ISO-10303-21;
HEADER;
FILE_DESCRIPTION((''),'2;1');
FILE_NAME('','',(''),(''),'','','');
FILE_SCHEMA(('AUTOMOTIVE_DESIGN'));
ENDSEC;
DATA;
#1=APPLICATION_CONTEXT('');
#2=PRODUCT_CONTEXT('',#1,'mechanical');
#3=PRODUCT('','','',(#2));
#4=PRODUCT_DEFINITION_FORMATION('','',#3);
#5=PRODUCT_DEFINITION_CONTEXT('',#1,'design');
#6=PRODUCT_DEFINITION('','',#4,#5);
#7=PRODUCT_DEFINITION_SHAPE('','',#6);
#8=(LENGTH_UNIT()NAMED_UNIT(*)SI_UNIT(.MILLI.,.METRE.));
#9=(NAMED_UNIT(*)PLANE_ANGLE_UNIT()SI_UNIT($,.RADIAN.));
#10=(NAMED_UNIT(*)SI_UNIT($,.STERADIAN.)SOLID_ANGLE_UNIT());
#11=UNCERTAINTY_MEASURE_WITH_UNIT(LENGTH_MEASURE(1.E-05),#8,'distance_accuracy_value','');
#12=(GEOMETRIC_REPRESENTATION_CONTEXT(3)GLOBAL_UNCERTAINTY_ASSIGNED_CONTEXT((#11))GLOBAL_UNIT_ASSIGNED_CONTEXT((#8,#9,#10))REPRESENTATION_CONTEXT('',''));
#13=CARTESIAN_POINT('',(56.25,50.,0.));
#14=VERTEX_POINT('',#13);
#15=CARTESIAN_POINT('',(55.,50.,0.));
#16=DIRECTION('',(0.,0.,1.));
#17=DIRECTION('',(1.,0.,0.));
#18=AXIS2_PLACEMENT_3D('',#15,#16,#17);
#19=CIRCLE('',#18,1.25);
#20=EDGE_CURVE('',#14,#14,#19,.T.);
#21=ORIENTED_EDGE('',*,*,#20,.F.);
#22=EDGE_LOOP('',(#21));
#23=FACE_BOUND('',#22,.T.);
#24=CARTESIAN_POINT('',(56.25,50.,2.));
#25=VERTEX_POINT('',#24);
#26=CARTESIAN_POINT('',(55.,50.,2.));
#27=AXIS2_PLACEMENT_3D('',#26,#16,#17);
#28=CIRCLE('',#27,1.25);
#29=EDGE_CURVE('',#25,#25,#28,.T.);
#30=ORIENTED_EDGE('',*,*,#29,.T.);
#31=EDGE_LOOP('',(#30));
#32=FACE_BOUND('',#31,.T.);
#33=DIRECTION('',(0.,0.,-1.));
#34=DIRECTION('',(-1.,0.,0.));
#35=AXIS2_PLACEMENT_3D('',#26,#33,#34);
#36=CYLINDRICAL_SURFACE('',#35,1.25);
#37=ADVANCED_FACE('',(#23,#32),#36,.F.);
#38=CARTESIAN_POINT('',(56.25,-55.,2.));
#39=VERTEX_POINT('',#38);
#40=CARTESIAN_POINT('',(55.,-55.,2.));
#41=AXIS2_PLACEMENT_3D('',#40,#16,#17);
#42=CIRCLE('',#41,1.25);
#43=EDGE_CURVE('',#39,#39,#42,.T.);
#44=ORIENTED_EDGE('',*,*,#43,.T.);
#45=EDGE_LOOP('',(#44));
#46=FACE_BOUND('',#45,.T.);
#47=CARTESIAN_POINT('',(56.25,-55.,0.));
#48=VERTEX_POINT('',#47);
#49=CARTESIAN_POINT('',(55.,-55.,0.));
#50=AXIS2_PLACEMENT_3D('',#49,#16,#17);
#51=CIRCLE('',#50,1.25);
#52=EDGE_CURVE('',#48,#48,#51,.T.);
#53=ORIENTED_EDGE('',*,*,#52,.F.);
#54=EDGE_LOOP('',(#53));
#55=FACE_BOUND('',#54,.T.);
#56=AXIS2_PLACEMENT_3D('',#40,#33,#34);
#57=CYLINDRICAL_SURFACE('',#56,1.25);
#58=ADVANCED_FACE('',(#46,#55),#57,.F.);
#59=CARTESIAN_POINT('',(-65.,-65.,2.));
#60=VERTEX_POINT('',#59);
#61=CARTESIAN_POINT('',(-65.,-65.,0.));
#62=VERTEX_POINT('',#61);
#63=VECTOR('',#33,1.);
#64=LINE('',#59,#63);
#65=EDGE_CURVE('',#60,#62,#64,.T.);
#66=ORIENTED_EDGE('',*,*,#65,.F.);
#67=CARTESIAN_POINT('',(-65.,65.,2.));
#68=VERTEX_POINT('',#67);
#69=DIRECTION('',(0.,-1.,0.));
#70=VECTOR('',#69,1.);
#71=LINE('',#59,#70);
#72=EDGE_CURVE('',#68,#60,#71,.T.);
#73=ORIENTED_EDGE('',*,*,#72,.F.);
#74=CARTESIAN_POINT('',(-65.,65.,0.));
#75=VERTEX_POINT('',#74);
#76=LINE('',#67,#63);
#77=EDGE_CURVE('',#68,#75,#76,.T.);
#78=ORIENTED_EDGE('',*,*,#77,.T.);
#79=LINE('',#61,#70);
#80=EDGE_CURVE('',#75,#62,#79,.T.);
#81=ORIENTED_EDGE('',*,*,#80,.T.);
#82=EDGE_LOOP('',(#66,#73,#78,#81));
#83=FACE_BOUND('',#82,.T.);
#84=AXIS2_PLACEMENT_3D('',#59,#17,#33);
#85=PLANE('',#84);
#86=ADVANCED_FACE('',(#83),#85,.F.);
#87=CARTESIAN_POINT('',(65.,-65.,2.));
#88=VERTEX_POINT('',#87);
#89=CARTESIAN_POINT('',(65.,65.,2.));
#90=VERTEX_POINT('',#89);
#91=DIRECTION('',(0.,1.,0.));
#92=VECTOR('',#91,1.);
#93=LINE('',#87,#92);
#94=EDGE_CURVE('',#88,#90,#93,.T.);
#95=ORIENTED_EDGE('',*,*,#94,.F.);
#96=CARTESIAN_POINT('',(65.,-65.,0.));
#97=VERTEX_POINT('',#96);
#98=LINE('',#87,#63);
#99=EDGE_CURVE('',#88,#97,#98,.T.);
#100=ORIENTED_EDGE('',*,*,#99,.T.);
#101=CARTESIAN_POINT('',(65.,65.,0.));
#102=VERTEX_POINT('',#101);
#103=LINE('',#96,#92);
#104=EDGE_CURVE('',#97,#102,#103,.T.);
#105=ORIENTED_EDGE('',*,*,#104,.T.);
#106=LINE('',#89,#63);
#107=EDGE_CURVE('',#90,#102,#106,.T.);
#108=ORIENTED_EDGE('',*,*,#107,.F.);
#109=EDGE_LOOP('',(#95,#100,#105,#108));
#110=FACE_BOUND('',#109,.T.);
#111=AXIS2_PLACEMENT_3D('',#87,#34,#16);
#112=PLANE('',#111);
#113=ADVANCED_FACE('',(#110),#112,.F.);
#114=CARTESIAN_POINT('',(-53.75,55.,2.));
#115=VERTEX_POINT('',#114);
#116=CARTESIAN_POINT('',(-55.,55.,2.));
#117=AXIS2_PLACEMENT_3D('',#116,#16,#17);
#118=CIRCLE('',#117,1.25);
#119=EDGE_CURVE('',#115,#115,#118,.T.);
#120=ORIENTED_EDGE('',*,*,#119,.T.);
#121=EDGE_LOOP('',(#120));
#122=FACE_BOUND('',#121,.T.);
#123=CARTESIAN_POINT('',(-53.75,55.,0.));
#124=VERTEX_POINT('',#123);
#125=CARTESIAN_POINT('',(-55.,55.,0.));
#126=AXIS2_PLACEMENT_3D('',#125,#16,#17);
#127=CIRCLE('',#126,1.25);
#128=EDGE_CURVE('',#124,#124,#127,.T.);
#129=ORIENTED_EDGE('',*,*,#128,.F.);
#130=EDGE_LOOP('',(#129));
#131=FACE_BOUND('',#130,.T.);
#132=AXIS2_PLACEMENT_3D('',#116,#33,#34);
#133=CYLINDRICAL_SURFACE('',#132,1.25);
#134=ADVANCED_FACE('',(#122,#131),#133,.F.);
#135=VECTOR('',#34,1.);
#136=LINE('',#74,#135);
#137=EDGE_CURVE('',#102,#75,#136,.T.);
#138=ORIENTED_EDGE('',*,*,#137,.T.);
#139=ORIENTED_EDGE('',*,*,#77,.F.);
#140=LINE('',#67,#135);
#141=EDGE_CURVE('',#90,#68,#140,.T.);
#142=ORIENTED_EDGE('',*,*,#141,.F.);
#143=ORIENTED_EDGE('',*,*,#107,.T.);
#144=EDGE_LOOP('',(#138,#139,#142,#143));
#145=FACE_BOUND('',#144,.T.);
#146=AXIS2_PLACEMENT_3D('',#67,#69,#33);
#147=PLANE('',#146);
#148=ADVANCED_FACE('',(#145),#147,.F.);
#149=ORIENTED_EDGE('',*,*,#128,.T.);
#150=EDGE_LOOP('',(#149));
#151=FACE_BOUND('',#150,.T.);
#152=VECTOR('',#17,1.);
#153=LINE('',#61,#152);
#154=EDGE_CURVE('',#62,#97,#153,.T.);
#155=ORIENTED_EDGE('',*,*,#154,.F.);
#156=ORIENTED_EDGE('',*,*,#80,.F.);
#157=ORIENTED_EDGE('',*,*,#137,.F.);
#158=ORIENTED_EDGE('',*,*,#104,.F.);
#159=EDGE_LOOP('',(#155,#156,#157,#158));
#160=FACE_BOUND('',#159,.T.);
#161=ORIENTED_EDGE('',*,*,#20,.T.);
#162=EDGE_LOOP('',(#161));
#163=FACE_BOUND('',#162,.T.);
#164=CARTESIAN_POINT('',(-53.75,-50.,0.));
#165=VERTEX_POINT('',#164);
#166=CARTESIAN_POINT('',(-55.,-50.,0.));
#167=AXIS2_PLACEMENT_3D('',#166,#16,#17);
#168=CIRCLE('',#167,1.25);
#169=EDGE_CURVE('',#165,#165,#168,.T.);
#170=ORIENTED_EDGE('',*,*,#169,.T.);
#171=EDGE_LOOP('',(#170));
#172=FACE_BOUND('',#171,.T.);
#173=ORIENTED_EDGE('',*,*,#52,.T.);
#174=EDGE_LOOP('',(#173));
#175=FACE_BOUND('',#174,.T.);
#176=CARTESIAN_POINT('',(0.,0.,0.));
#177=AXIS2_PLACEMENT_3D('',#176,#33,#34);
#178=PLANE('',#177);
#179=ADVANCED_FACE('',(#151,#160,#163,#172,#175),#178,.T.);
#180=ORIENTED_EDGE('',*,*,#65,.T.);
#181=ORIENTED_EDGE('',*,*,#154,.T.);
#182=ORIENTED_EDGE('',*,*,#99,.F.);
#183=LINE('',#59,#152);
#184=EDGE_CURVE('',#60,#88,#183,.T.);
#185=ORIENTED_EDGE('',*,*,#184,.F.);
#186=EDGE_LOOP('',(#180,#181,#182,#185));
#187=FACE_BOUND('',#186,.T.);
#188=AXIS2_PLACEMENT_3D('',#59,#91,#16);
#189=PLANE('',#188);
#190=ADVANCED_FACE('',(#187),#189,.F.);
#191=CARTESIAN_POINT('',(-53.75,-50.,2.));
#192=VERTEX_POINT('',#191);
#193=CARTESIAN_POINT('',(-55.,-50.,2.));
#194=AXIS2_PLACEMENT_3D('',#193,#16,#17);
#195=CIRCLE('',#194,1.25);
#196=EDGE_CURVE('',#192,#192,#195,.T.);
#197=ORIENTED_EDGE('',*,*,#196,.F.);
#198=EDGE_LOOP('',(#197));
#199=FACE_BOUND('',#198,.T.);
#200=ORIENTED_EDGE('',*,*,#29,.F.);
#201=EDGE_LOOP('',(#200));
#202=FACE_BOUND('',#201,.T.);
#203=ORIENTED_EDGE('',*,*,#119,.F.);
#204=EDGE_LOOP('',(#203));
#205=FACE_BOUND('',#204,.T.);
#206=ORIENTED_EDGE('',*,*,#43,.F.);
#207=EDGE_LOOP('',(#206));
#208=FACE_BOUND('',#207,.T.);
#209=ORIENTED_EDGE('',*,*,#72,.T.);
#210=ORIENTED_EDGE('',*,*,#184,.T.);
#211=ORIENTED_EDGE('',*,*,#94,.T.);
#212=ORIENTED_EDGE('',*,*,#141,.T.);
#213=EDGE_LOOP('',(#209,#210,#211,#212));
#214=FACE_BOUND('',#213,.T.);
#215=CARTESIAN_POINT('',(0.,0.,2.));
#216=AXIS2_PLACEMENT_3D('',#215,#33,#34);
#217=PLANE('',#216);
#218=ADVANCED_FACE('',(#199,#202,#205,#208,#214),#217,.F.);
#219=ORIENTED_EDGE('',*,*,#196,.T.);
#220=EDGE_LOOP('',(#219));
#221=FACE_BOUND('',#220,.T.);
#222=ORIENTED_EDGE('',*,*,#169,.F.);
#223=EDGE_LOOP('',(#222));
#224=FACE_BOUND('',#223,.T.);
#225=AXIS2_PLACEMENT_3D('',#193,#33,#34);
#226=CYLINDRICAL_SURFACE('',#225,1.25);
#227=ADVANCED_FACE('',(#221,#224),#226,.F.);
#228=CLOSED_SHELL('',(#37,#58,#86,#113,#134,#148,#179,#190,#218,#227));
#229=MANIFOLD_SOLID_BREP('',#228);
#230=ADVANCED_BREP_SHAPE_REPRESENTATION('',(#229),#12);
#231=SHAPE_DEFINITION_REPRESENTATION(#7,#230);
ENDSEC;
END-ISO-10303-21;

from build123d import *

# Parameters (mm, degrees)
SKETCH_1_W      = 130
SKETCH_1_H      = 130
SKETCH_1_R      = 1.25
EXTRUDE_1_DEPTH = 2


with BuildPart() as part:
    # Эскиз1 → Бобышка-Вытянуть1 (new body)
    with BuildSketch(Plane.XY):
        Rectangle(SKETCH_1_W, SKETCH_1_H)
        with Locations((-55, 55)):
            Circle(SKETCH_1_R, mode=Mode.SUBTRACT)
        with Locations((55, 50)):
            Circle(SKETCH_1_R, mode=Mode.SUBTRACT)
        with Locations((55, -55)):
            Circle(SKETCH_1_R, mode=Mode.SUBTRACT)
        with Locations((-55, -50)):
            Circle(SKETCH_1_R, mode=Mode.SUBTRACT)
    extrude(amount=EXTRUDE_1_DEPTH)


solid = part.part
